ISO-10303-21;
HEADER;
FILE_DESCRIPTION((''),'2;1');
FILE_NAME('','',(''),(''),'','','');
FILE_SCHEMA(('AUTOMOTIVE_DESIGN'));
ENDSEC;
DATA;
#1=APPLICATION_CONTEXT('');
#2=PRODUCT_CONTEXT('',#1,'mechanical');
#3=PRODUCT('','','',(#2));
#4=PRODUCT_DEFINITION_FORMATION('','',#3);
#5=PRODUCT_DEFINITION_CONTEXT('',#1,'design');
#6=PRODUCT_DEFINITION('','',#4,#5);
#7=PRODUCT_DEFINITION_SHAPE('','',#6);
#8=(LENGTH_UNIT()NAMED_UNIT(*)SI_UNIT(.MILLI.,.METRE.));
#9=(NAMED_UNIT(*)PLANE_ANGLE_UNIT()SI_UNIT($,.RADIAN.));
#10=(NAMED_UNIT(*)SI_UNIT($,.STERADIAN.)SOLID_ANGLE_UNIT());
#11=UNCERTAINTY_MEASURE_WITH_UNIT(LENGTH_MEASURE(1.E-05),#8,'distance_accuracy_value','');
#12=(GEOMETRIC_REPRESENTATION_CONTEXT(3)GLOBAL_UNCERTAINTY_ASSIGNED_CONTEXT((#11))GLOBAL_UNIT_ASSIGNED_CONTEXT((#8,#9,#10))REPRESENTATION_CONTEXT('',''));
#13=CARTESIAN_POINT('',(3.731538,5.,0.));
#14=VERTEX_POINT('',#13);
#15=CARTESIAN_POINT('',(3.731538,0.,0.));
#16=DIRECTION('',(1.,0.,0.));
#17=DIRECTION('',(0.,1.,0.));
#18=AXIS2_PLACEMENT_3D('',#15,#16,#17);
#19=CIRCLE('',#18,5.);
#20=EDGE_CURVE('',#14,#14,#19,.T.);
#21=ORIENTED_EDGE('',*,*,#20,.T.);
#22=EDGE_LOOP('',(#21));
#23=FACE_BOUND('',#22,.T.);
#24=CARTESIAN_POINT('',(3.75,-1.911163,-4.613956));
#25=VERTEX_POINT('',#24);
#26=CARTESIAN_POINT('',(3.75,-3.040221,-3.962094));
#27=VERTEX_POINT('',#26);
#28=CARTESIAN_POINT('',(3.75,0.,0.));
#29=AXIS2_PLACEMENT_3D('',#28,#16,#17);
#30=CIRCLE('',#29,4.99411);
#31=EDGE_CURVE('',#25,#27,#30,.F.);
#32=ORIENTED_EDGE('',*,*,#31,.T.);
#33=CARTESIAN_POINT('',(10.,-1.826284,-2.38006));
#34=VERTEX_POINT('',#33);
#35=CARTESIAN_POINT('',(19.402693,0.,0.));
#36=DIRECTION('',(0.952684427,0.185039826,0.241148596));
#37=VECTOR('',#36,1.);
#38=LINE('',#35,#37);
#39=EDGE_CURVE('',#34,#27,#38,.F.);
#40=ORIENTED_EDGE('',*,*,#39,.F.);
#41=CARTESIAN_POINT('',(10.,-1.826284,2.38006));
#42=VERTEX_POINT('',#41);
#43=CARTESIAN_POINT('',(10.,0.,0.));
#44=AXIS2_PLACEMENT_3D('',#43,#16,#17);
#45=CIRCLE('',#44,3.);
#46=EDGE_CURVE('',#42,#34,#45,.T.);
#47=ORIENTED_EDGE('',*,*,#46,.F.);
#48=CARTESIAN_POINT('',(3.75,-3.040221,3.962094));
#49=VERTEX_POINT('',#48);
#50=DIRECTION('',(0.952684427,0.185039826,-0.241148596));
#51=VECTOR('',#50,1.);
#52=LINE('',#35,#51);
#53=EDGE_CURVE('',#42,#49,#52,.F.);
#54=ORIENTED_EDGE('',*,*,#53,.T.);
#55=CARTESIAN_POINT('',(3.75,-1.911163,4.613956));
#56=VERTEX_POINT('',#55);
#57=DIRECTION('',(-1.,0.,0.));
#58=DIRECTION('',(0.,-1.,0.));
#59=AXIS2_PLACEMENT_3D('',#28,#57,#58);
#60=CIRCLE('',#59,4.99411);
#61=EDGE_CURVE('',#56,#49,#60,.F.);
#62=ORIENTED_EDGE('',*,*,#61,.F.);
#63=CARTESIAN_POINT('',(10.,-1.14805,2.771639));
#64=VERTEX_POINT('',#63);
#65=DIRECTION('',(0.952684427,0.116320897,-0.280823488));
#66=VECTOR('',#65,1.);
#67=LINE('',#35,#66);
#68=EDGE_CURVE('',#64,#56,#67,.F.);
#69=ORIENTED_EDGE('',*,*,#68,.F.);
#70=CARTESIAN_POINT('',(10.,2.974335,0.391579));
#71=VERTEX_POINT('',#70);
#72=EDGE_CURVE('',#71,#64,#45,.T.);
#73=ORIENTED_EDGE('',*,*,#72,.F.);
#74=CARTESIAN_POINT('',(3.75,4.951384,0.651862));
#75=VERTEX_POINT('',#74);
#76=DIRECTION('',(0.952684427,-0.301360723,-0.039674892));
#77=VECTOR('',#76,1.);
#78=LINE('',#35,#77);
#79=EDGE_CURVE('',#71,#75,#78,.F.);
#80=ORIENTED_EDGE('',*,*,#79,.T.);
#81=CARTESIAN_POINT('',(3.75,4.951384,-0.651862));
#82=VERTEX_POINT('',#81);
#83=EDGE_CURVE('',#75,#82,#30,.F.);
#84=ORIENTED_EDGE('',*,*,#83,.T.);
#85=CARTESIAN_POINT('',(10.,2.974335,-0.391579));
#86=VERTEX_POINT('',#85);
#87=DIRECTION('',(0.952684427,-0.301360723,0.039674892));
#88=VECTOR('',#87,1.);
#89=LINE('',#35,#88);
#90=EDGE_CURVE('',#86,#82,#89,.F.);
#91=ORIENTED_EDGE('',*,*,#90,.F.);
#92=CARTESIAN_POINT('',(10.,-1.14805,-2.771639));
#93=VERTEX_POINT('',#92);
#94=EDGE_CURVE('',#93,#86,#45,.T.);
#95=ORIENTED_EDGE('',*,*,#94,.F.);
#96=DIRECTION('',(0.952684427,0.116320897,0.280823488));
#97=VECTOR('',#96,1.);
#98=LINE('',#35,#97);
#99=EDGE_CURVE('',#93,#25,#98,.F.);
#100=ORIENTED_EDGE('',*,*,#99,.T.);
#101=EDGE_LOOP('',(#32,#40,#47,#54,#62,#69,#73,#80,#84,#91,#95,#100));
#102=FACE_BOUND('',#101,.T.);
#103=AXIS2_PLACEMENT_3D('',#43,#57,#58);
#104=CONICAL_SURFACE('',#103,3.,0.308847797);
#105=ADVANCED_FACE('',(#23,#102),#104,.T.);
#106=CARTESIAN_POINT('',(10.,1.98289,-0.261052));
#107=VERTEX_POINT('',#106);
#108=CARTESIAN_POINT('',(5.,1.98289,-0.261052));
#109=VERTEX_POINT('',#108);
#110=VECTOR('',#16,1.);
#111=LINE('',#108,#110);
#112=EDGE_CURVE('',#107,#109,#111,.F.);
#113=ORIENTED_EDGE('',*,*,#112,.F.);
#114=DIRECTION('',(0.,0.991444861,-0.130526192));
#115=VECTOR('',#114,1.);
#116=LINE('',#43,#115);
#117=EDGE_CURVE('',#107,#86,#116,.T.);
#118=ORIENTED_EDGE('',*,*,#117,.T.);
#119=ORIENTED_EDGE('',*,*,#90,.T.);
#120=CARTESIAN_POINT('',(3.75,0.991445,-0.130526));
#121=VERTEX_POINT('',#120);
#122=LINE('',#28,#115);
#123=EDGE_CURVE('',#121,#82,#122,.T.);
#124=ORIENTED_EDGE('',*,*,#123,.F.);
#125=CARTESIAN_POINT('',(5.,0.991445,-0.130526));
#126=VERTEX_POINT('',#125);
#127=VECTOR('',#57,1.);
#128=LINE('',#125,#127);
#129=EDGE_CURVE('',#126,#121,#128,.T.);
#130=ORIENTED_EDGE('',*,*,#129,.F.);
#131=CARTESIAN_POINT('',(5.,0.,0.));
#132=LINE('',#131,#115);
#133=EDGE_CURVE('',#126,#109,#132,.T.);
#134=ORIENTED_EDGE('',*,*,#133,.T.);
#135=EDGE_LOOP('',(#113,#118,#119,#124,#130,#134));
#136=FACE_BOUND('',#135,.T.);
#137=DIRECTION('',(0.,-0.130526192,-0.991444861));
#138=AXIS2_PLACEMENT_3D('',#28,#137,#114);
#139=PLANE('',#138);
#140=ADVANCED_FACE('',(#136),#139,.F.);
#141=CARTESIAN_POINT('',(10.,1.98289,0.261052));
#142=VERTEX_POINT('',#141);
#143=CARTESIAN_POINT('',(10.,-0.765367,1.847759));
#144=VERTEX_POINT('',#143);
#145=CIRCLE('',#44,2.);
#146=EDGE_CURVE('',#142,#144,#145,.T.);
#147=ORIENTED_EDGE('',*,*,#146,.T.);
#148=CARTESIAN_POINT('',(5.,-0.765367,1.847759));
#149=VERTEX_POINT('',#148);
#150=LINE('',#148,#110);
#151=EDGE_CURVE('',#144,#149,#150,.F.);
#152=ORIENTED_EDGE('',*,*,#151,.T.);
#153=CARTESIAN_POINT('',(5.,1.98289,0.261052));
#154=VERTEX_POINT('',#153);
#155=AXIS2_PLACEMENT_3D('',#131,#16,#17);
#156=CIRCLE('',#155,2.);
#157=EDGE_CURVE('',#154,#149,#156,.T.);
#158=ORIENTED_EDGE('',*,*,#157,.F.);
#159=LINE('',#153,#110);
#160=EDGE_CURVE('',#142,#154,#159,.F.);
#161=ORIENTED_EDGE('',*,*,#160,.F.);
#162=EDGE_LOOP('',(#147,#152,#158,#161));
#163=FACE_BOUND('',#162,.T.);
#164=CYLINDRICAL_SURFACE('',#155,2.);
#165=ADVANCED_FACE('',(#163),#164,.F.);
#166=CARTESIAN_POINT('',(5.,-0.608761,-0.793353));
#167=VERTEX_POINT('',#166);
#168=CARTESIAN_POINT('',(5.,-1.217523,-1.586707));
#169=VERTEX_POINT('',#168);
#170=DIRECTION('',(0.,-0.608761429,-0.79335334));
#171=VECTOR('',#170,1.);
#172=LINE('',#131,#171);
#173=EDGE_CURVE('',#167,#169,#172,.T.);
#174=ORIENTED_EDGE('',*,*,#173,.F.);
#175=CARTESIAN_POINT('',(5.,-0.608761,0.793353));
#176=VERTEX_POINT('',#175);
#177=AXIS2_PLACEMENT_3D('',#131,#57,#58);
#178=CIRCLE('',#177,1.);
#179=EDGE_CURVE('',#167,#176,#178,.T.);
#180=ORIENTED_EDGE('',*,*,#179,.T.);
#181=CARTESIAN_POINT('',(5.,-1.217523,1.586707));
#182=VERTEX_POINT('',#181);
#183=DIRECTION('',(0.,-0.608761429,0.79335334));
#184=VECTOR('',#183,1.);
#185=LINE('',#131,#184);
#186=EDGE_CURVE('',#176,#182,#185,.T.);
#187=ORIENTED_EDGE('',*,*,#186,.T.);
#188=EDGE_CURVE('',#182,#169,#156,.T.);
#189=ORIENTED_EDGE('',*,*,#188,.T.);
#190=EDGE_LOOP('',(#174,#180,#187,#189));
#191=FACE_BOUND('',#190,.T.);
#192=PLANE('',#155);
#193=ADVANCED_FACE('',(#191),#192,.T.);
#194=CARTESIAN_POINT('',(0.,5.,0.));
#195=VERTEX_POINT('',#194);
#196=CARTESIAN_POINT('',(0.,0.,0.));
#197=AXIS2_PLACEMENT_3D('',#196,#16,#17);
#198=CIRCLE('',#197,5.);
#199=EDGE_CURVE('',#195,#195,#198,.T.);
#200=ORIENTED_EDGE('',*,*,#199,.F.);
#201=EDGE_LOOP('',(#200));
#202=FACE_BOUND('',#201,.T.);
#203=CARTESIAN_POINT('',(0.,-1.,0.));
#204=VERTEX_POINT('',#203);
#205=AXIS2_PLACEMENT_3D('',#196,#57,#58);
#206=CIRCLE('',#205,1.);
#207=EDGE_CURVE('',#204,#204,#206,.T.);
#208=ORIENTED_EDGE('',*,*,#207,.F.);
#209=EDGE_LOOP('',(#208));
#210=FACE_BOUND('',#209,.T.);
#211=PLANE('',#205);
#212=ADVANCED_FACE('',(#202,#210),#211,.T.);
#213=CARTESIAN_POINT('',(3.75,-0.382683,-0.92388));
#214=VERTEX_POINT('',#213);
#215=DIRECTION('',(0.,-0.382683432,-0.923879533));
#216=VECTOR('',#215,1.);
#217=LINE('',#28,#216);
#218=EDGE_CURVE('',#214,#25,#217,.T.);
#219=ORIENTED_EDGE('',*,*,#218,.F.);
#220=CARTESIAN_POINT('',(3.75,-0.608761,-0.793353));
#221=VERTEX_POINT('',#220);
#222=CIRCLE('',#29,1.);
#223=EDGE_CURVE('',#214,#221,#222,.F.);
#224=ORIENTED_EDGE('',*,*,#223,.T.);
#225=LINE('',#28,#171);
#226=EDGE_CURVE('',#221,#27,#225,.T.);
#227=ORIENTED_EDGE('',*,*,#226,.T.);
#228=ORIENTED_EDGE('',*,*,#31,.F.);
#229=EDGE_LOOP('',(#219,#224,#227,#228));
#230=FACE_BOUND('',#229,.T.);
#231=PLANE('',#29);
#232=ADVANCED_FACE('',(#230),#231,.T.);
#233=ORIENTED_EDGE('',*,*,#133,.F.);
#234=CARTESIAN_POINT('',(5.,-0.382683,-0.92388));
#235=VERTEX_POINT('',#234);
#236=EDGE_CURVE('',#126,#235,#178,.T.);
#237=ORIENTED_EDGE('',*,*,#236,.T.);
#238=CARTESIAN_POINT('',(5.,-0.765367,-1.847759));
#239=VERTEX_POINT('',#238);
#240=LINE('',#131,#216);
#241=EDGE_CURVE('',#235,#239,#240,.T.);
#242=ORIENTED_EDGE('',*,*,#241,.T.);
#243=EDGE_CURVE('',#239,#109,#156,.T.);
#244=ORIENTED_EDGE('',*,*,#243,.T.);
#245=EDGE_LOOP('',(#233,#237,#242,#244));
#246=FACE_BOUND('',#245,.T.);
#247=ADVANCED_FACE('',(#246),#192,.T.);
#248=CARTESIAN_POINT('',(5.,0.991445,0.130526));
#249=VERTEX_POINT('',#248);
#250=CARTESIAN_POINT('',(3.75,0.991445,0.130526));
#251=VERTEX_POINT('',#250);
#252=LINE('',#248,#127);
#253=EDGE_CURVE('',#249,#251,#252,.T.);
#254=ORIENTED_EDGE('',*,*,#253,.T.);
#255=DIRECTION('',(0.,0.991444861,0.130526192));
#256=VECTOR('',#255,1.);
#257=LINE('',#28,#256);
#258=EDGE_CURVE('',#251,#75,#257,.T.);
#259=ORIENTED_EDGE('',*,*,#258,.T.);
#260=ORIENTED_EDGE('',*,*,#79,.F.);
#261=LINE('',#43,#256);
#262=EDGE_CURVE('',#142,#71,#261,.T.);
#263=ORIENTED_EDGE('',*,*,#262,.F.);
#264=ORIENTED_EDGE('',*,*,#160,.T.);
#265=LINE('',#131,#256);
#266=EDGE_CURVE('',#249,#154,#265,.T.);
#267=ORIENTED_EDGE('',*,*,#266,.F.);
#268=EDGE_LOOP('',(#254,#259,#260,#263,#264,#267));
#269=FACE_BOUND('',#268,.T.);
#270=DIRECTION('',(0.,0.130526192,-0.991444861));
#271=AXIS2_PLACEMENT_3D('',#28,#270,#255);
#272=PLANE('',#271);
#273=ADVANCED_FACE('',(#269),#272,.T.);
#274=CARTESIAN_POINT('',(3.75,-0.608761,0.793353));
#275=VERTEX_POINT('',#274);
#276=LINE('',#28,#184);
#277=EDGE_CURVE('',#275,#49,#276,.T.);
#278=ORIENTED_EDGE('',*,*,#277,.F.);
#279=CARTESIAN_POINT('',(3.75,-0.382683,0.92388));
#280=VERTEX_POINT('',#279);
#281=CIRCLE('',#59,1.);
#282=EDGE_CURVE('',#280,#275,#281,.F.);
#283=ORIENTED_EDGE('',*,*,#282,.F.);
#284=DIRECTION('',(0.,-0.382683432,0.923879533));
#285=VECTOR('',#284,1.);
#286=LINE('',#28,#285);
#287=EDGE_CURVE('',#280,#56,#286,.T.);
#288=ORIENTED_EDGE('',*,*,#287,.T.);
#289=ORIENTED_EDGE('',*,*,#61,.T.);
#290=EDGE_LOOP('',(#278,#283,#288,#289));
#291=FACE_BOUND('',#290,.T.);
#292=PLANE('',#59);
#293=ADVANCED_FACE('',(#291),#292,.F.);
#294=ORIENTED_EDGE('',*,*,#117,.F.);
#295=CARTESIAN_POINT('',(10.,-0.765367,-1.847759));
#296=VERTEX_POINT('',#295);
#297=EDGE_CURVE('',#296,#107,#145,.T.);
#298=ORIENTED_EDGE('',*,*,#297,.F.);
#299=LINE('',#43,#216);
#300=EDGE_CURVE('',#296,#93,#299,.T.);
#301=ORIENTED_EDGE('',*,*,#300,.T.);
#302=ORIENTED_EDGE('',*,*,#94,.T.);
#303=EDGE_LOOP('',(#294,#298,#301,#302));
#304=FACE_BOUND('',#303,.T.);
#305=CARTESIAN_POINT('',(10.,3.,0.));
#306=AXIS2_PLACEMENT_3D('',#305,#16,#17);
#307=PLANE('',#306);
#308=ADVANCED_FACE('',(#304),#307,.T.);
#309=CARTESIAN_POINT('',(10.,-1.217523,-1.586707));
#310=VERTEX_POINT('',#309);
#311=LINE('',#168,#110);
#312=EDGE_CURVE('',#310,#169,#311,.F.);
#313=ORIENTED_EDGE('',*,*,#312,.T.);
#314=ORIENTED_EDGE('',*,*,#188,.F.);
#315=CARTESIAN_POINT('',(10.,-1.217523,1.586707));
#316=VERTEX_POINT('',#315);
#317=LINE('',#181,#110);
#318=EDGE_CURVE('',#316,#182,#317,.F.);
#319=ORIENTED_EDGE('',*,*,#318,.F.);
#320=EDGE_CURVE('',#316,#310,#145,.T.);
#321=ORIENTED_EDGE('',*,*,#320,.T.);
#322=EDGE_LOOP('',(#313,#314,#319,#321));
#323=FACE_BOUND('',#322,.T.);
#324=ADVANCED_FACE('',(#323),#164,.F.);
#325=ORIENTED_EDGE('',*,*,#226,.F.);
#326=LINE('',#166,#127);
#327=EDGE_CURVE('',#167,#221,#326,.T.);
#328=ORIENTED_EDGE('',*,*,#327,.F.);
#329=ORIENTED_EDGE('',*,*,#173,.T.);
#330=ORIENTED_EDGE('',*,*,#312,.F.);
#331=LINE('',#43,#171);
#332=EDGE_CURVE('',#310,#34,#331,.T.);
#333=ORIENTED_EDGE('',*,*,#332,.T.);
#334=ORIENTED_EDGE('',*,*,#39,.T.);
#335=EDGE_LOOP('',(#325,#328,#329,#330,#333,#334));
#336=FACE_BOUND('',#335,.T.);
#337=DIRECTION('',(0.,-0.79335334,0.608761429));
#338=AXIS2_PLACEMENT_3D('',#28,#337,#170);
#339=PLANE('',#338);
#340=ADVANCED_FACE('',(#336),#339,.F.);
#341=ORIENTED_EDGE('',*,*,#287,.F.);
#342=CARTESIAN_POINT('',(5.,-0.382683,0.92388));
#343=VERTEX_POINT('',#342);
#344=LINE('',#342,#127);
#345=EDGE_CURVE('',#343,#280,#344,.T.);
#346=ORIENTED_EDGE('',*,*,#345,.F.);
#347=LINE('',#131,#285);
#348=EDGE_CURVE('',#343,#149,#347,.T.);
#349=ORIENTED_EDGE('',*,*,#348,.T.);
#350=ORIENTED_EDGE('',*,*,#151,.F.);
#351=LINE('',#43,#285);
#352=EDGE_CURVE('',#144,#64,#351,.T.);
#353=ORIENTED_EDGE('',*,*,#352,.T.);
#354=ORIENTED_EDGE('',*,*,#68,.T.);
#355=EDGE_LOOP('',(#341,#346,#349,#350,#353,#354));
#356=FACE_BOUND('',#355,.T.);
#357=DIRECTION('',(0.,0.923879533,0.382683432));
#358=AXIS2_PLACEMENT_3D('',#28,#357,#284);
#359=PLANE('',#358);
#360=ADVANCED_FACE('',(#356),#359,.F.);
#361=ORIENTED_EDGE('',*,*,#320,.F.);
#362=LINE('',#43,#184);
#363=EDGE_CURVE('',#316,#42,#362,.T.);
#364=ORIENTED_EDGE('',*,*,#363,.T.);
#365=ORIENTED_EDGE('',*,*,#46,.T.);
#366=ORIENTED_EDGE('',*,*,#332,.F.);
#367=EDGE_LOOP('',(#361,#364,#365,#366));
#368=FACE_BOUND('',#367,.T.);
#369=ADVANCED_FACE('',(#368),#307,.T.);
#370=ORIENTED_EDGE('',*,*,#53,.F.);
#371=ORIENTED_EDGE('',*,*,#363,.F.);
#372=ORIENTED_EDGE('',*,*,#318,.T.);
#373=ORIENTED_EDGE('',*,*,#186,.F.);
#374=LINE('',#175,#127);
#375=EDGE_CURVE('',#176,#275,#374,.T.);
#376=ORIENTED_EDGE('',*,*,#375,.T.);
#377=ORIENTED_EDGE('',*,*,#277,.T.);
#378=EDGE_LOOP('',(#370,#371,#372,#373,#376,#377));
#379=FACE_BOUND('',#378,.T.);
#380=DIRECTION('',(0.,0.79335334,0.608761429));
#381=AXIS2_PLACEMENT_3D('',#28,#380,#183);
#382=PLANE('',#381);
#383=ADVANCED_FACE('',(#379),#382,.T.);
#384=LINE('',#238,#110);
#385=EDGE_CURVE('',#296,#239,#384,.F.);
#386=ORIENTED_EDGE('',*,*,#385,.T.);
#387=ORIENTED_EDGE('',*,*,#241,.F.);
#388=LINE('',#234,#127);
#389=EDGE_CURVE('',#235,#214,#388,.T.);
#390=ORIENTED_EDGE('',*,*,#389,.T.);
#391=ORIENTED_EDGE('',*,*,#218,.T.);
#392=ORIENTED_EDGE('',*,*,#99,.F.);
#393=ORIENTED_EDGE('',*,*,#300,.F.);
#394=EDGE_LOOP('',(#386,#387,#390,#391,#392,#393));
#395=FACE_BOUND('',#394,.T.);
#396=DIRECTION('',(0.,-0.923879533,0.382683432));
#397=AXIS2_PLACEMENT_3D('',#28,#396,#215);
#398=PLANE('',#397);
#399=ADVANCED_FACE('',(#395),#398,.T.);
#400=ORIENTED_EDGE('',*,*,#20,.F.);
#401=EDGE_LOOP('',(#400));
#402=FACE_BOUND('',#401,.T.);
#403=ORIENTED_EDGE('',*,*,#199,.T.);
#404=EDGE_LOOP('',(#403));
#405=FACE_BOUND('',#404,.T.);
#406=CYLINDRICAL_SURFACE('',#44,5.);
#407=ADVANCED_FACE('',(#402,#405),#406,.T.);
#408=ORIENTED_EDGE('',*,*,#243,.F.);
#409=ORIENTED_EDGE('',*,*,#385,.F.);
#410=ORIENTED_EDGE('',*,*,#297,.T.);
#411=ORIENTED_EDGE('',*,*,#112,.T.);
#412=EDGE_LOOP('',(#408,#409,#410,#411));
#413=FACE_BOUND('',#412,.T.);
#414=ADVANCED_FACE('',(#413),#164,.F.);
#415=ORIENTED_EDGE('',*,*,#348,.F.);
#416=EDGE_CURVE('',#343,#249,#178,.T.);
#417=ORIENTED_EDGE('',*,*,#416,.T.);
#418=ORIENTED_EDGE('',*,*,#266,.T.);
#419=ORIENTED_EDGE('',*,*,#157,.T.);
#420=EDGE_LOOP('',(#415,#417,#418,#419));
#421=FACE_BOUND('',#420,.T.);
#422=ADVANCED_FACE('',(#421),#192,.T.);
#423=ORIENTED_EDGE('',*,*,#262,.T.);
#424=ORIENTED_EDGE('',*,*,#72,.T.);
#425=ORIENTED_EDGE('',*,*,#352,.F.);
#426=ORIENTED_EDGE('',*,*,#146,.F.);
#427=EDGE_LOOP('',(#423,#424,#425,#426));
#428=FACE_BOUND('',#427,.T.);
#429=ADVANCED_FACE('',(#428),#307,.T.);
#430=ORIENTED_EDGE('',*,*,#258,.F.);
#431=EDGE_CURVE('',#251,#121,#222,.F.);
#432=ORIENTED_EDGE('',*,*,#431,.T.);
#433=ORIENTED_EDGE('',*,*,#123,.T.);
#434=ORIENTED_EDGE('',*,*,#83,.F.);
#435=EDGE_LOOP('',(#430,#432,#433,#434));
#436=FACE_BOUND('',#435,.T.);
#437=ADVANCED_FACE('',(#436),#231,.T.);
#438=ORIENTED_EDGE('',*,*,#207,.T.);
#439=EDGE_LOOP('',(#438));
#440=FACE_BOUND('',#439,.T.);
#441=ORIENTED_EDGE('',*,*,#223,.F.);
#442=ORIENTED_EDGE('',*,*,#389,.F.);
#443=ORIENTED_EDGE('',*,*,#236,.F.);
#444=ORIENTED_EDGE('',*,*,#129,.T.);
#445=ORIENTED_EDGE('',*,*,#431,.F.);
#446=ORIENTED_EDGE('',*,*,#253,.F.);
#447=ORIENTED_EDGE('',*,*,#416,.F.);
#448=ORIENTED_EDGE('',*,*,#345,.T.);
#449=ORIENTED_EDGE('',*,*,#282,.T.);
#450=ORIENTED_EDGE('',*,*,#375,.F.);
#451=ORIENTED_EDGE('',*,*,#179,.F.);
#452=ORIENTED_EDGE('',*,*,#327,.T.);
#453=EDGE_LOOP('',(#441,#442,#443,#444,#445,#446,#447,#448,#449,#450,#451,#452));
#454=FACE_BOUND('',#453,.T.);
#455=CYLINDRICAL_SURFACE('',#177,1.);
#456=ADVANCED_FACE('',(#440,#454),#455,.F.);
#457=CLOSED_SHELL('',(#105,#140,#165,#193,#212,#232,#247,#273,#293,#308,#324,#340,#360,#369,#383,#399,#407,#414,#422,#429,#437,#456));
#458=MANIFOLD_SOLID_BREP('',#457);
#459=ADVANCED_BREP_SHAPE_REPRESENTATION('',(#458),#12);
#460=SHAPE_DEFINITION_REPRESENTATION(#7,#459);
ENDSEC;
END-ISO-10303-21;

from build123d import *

# Parameters (mm, degrees)
SKETCH3_R          = 2
CUT_EXTRUDE1_DEPTH = 5
SKETCH4_R          = 1
CUT_EXTRUDE2_DEPTH = 5
CUT_EXTRUDE3_DEPTH = 6.25


with BuildPart() as part:
    # Sketch1 → Revolve1 (revolve)
    with BuildSketch(Plane.XY):
        Polygon((0, 0), (0, 5), (3.731538273, 5), (10, 3), (10, 0), align=None)
    revolve(axis=Axis((10, 0, 0), (-1, 0, 0)))

    # Sketch3 → Cut-Extrude1 (cut)
    with BuildSketch(Plane(origin=(10, 0, 0), x_dir=(0, 0, -1), z_dir=(1, 0, 0))):
        with Locations(Location((0, 0, 0), (0, 0, 90))):
            Circle(SKETCH3_R)
    extrude(amount=-CUT_EXTRUDE1_DEPTH, mode=Mode.SUBTRACT)

    # Sketch4 → Cut-Extrude2 (cut)
    with BuildSketch(Plane.ZY):
        with Locations(Location((0, 0, 0), (0, 0, 270))):
            Circle(SKETCH4_R)
    extrude(amount=-CUT_EXTRUDE2_DEPTH, mode=Mode.SUBTRACT)

    # Sketch5 → Cut-Extrude3 (cut)
    with BuildSketch(Plane(origin=(10, 0, 0), x_dir=(0, 0, -1), z_dir=(1, 0, 0))):
        with BuildLine():
            Line((-0.652630961, 4.957224307), (0, 0))
            Line((0, 0), (0.652630961, 4.957224307))
            ThreePointArc((0.652630961, 4.957224307), (0, 5), (-0.652630961, 4.957224307))
        make_face()
        with BuildLine():
            Line((4.619397663, -1.913417162), (0, 0))
            Line((0, 0), (3.966766701, -3.043807145))
            ThreePointArc((3.966766701, -3.043807145), (4.330127019, -2.5), (4.619397663, -1.913417162))
        make_face()
        with BuildLine():
            Line((-3.966766701, -3.043807145), (0, 0))
            Line((0, 0), (-4.619397663, -1.913417162))
            ThreePointArc((-4.619397663, -1.913417162), (-4.330127019, -2.5), (-3.966766701, -3.043807145))
        make_face()
    extrude(amount=-CUT_EXTRUDE3_DEPTH, mode=Mode.SUBTRACT)


solid = part.part
